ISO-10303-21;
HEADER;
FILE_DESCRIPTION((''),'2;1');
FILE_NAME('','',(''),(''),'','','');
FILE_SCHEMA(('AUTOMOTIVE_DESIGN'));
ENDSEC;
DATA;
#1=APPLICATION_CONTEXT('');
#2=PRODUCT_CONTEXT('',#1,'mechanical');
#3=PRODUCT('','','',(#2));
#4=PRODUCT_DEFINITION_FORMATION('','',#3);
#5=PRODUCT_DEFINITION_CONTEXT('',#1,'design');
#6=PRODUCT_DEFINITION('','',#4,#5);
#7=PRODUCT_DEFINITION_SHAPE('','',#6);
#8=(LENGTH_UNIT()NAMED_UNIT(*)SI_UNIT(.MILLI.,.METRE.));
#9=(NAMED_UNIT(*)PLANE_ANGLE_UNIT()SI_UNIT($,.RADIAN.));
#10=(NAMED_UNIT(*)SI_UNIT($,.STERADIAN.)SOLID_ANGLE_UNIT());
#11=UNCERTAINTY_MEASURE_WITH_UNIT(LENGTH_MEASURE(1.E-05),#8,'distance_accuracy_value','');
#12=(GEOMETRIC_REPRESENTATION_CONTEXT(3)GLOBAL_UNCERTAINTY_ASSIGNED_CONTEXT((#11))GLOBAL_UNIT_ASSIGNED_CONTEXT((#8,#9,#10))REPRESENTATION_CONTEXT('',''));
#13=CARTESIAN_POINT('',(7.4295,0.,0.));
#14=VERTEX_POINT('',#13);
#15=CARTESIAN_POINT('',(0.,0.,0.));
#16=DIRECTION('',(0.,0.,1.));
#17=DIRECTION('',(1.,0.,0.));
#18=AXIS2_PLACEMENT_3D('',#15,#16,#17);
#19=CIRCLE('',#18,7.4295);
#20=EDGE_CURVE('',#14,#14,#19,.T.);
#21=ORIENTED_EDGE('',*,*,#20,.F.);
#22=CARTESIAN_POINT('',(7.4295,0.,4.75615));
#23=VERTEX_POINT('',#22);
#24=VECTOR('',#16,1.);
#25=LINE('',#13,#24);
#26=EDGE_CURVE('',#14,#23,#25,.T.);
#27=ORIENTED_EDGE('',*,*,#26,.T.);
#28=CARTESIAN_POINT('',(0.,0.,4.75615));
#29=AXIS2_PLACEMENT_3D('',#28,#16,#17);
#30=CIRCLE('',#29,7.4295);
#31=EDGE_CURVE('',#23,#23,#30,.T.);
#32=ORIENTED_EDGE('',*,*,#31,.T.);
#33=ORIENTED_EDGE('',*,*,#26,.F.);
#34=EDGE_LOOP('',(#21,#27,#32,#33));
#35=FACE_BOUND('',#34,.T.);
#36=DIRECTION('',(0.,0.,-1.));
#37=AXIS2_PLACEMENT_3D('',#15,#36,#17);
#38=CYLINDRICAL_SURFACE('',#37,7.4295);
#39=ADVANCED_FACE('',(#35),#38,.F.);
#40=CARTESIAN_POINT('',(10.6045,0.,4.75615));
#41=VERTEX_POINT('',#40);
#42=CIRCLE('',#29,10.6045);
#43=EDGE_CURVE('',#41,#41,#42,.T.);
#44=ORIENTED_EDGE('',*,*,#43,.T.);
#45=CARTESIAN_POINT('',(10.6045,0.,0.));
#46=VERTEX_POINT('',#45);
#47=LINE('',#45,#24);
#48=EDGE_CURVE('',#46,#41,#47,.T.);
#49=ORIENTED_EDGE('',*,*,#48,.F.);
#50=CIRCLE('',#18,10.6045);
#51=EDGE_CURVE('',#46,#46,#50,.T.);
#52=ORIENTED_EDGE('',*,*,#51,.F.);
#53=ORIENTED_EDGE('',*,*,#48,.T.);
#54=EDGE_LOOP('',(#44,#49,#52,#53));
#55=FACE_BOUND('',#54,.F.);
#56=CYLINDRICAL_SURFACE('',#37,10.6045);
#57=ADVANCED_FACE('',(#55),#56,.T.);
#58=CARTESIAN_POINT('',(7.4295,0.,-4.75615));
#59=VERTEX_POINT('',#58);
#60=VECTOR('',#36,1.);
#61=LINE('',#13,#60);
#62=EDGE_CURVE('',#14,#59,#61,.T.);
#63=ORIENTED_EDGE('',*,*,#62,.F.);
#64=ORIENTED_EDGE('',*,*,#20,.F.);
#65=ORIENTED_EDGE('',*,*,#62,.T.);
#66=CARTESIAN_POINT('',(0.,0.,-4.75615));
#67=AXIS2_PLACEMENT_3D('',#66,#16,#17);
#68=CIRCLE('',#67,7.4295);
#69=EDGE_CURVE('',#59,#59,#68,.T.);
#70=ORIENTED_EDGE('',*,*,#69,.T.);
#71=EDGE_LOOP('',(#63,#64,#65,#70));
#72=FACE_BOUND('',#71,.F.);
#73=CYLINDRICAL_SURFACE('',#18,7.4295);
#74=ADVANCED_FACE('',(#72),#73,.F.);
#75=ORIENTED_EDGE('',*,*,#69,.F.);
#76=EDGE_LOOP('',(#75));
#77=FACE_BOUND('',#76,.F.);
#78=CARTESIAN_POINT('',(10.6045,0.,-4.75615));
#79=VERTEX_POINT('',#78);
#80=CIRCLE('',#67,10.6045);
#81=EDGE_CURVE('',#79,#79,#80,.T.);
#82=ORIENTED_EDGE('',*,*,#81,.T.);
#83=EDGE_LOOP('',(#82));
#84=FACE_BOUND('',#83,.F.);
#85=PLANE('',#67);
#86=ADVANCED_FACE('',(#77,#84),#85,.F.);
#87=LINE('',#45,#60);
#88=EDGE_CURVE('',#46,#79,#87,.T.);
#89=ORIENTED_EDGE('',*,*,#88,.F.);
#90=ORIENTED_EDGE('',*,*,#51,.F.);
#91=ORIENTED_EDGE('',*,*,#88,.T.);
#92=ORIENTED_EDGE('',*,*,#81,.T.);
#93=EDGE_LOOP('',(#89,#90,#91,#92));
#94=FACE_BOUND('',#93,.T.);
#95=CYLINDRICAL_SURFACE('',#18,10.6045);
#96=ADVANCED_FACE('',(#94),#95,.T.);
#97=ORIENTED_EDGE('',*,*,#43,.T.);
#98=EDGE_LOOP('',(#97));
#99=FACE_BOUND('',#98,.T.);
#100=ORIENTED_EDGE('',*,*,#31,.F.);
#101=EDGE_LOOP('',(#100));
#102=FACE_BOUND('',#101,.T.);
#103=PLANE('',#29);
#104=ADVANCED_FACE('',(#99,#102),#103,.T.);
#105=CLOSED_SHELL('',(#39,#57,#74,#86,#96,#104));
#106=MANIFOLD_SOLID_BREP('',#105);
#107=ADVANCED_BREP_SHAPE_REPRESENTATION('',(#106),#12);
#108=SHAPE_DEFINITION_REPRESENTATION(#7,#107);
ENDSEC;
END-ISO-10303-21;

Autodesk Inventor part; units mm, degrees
ref_plane "YZ Plane" through (0, 0, 0) normal (1, 0, 0) x (0, 1, 0)
ref_plane "XZ Plane" through (0, 0, 0) normal (0, 1, 0) x (-1, 0, 0)
ref_plane "XY Plane" through (0, 0, 0) normal (0, 0, 1) x (1, 0, 0)
sketch "Sketch1" plane through (0, 0, 0) normal (0, 0, 1) x (1, 0, 0)
  circle A0 centre (0, 0) radius 7.4295
  circle A1 centre (0, 0) radius 10.6045
  dimension "d0" = 14.859
  dimension "d1" = 3.175
extrude "Extrusion1" add sketch "Sketch1" along normal mid plane 9.5123
properties part number "EL2-CGB-022" material "ABS Plastic"
